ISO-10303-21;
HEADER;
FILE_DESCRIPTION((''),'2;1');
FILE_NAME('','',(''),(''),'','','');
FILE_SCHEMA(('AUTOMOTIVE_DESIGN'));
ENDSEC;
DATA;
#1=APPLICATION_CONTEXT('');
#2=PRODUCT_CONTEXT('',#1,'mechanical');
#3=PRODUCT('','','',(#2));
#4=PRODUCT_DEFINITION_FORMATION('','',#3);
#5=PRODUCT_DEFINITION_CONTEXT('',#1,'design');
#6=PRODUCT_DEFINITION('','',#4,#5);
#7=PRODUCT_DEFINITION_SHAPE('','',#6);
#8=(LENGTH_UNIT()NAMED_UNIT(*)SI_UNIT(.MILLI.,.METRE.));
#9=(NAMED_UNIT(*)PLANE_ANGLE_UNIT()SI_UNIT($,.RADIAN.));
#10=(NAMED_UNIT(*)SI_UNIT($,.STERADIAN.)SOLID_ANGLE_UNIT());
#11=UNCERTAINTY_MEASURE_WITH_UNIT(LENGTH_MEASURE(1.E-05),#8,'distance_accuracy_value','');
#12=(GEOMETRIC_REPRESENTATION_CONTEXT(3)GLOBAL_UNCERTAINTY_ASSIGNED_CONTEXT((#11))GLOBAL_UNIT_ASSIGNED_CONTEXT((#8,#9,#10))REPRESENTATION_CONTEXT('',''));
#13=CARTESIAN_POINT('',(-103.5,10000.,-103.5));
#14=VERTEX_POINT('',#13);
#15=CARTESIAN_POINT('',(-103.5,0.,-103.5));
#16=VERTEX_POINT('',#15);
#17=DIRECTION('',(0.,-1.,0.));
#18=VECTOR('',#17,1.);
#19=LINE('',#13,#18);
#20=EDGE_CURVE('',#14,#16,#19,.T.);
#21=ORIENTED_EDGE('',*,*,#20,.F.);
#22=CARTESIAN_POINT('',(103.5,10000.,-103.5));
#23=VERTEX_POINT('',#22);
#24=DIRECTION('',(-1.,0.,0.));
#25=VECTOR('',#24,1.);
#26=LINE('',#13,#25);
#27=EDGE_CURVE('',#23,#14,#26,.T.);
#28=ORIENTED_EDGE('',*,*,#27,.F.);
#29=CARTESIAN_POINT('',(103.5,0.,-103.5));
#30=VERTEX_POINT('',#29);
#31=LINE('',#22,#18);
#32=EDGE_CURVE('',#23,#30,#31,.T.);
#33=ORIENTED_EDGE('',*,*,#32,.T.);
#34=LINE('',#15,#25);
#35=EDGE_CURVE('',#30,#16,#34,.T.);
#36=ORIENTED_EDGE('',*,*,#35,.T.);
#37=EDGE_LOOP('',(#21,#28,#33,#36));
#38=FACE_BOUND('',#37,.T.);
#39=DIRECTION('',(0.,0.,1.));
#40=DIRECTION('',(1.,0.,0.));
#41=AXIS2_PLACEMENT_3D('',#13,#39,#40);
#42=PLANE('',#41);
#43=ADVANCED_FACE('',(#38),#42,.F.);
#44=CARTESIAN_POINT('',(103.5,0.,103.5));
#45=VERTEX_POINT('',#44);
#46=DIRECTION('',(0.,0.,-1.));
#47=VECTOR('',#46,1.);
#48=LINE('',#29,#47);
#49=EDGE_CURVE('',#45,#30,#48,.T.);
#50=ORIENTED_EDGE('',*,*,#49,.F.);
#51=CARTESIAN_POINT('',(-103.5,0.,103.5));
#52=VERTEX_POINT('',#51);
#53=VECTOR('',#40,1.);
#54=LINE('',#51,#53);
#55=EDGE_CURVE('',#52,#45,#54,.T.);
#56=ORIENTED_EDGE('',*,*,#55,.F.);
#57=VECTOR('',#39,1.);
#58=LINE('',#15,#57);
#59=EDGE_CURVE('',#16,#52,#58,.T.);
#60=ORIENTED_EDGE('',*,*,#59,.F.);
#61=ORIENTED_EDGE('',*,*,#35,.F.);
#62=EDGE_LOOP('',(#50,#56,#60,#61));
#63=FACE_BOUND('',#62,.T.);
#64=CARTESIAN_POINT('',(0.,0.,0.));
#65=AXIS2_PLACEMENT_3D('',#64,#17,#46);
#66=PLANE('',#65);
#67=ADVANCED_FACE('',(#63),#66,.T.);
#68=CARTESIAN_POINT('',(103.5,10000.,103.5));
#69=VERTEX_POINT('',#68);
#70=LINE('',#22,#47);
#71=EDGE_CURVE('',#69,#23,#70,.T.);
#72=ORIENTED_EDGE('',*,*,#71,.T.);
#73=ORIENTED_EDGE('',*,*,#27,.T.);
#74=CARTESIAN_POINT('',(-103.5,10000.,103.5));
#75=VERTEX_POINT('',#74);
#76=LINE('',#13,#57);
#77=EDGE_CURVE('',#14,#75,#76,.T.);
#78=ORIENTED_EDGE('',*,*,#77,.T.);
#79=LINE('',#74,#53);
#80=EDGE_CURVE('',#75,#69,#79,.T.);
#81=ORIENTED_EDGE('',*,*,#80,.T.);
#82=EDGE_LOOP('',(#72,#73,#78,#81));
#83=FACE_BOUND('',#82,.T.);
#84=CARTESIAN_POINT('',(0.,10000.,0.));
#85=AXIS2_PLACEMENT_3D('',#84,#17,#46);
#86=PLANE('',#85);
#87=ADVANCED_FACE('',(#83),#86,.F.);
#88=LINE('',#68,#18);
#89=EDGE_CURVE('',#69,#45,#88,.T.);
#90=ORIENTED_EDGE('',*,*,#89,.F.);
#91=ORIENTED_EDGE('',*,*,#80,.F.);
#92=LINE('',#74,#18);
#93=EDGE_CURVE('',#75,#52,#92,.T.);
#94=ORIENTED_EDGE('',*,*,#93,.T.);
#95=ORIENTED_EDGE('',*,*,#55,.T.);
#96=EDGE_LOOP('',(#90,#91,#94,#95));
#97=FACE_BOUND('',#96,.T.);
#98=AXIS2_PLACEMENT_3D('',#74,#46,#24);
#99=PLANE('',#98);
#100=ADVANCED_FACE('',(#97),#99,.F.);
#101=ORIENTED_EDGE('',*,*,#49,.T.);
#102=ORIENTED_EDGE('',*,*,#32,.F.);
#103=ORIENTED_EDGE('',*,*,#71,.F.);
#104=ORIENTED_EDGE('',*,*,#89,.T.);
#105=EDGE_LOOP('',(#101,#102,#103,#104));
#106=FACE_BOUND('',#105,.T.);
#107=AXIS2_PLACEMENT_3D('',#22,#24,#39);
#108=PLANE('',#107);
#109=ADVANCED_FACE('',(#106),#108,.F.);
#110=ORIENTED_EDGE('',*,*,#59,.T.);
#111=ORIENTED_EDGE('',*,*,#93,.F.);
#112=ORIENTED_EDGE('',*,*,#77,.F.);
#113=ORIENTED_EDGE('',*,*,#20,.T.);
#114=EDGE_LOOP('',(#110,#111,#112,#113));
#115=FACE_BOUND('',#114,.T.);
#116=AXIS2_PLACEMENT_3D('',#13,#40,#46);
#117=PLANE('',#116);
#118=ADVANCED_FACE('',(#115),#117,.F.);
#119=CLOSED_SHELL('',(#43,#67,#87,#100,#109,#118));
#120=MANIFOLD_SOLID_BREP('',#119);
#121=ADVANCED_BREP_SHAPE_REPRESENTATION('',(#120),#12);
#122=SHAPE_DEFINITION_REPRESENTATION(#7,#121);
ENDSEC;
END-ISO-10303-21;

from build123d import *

# Parameters (mm, degrees)
SKETCH12_W               = 207
SKETCH12_H               = 207
HW5_SMALLBEAM207_1_DEPTH = 10000


with BuildPart() as part:
    # Sketch12 → Hw5 SMALLBEAM207(1) (new body)
    with BuildSketch(Plane.ZX):
        Rectangle(SKETCH12_W, SKETCH12_H)
    extrude(amount=HW5_SMALLBEAM207_1_DEPTH)


solid = part.part
